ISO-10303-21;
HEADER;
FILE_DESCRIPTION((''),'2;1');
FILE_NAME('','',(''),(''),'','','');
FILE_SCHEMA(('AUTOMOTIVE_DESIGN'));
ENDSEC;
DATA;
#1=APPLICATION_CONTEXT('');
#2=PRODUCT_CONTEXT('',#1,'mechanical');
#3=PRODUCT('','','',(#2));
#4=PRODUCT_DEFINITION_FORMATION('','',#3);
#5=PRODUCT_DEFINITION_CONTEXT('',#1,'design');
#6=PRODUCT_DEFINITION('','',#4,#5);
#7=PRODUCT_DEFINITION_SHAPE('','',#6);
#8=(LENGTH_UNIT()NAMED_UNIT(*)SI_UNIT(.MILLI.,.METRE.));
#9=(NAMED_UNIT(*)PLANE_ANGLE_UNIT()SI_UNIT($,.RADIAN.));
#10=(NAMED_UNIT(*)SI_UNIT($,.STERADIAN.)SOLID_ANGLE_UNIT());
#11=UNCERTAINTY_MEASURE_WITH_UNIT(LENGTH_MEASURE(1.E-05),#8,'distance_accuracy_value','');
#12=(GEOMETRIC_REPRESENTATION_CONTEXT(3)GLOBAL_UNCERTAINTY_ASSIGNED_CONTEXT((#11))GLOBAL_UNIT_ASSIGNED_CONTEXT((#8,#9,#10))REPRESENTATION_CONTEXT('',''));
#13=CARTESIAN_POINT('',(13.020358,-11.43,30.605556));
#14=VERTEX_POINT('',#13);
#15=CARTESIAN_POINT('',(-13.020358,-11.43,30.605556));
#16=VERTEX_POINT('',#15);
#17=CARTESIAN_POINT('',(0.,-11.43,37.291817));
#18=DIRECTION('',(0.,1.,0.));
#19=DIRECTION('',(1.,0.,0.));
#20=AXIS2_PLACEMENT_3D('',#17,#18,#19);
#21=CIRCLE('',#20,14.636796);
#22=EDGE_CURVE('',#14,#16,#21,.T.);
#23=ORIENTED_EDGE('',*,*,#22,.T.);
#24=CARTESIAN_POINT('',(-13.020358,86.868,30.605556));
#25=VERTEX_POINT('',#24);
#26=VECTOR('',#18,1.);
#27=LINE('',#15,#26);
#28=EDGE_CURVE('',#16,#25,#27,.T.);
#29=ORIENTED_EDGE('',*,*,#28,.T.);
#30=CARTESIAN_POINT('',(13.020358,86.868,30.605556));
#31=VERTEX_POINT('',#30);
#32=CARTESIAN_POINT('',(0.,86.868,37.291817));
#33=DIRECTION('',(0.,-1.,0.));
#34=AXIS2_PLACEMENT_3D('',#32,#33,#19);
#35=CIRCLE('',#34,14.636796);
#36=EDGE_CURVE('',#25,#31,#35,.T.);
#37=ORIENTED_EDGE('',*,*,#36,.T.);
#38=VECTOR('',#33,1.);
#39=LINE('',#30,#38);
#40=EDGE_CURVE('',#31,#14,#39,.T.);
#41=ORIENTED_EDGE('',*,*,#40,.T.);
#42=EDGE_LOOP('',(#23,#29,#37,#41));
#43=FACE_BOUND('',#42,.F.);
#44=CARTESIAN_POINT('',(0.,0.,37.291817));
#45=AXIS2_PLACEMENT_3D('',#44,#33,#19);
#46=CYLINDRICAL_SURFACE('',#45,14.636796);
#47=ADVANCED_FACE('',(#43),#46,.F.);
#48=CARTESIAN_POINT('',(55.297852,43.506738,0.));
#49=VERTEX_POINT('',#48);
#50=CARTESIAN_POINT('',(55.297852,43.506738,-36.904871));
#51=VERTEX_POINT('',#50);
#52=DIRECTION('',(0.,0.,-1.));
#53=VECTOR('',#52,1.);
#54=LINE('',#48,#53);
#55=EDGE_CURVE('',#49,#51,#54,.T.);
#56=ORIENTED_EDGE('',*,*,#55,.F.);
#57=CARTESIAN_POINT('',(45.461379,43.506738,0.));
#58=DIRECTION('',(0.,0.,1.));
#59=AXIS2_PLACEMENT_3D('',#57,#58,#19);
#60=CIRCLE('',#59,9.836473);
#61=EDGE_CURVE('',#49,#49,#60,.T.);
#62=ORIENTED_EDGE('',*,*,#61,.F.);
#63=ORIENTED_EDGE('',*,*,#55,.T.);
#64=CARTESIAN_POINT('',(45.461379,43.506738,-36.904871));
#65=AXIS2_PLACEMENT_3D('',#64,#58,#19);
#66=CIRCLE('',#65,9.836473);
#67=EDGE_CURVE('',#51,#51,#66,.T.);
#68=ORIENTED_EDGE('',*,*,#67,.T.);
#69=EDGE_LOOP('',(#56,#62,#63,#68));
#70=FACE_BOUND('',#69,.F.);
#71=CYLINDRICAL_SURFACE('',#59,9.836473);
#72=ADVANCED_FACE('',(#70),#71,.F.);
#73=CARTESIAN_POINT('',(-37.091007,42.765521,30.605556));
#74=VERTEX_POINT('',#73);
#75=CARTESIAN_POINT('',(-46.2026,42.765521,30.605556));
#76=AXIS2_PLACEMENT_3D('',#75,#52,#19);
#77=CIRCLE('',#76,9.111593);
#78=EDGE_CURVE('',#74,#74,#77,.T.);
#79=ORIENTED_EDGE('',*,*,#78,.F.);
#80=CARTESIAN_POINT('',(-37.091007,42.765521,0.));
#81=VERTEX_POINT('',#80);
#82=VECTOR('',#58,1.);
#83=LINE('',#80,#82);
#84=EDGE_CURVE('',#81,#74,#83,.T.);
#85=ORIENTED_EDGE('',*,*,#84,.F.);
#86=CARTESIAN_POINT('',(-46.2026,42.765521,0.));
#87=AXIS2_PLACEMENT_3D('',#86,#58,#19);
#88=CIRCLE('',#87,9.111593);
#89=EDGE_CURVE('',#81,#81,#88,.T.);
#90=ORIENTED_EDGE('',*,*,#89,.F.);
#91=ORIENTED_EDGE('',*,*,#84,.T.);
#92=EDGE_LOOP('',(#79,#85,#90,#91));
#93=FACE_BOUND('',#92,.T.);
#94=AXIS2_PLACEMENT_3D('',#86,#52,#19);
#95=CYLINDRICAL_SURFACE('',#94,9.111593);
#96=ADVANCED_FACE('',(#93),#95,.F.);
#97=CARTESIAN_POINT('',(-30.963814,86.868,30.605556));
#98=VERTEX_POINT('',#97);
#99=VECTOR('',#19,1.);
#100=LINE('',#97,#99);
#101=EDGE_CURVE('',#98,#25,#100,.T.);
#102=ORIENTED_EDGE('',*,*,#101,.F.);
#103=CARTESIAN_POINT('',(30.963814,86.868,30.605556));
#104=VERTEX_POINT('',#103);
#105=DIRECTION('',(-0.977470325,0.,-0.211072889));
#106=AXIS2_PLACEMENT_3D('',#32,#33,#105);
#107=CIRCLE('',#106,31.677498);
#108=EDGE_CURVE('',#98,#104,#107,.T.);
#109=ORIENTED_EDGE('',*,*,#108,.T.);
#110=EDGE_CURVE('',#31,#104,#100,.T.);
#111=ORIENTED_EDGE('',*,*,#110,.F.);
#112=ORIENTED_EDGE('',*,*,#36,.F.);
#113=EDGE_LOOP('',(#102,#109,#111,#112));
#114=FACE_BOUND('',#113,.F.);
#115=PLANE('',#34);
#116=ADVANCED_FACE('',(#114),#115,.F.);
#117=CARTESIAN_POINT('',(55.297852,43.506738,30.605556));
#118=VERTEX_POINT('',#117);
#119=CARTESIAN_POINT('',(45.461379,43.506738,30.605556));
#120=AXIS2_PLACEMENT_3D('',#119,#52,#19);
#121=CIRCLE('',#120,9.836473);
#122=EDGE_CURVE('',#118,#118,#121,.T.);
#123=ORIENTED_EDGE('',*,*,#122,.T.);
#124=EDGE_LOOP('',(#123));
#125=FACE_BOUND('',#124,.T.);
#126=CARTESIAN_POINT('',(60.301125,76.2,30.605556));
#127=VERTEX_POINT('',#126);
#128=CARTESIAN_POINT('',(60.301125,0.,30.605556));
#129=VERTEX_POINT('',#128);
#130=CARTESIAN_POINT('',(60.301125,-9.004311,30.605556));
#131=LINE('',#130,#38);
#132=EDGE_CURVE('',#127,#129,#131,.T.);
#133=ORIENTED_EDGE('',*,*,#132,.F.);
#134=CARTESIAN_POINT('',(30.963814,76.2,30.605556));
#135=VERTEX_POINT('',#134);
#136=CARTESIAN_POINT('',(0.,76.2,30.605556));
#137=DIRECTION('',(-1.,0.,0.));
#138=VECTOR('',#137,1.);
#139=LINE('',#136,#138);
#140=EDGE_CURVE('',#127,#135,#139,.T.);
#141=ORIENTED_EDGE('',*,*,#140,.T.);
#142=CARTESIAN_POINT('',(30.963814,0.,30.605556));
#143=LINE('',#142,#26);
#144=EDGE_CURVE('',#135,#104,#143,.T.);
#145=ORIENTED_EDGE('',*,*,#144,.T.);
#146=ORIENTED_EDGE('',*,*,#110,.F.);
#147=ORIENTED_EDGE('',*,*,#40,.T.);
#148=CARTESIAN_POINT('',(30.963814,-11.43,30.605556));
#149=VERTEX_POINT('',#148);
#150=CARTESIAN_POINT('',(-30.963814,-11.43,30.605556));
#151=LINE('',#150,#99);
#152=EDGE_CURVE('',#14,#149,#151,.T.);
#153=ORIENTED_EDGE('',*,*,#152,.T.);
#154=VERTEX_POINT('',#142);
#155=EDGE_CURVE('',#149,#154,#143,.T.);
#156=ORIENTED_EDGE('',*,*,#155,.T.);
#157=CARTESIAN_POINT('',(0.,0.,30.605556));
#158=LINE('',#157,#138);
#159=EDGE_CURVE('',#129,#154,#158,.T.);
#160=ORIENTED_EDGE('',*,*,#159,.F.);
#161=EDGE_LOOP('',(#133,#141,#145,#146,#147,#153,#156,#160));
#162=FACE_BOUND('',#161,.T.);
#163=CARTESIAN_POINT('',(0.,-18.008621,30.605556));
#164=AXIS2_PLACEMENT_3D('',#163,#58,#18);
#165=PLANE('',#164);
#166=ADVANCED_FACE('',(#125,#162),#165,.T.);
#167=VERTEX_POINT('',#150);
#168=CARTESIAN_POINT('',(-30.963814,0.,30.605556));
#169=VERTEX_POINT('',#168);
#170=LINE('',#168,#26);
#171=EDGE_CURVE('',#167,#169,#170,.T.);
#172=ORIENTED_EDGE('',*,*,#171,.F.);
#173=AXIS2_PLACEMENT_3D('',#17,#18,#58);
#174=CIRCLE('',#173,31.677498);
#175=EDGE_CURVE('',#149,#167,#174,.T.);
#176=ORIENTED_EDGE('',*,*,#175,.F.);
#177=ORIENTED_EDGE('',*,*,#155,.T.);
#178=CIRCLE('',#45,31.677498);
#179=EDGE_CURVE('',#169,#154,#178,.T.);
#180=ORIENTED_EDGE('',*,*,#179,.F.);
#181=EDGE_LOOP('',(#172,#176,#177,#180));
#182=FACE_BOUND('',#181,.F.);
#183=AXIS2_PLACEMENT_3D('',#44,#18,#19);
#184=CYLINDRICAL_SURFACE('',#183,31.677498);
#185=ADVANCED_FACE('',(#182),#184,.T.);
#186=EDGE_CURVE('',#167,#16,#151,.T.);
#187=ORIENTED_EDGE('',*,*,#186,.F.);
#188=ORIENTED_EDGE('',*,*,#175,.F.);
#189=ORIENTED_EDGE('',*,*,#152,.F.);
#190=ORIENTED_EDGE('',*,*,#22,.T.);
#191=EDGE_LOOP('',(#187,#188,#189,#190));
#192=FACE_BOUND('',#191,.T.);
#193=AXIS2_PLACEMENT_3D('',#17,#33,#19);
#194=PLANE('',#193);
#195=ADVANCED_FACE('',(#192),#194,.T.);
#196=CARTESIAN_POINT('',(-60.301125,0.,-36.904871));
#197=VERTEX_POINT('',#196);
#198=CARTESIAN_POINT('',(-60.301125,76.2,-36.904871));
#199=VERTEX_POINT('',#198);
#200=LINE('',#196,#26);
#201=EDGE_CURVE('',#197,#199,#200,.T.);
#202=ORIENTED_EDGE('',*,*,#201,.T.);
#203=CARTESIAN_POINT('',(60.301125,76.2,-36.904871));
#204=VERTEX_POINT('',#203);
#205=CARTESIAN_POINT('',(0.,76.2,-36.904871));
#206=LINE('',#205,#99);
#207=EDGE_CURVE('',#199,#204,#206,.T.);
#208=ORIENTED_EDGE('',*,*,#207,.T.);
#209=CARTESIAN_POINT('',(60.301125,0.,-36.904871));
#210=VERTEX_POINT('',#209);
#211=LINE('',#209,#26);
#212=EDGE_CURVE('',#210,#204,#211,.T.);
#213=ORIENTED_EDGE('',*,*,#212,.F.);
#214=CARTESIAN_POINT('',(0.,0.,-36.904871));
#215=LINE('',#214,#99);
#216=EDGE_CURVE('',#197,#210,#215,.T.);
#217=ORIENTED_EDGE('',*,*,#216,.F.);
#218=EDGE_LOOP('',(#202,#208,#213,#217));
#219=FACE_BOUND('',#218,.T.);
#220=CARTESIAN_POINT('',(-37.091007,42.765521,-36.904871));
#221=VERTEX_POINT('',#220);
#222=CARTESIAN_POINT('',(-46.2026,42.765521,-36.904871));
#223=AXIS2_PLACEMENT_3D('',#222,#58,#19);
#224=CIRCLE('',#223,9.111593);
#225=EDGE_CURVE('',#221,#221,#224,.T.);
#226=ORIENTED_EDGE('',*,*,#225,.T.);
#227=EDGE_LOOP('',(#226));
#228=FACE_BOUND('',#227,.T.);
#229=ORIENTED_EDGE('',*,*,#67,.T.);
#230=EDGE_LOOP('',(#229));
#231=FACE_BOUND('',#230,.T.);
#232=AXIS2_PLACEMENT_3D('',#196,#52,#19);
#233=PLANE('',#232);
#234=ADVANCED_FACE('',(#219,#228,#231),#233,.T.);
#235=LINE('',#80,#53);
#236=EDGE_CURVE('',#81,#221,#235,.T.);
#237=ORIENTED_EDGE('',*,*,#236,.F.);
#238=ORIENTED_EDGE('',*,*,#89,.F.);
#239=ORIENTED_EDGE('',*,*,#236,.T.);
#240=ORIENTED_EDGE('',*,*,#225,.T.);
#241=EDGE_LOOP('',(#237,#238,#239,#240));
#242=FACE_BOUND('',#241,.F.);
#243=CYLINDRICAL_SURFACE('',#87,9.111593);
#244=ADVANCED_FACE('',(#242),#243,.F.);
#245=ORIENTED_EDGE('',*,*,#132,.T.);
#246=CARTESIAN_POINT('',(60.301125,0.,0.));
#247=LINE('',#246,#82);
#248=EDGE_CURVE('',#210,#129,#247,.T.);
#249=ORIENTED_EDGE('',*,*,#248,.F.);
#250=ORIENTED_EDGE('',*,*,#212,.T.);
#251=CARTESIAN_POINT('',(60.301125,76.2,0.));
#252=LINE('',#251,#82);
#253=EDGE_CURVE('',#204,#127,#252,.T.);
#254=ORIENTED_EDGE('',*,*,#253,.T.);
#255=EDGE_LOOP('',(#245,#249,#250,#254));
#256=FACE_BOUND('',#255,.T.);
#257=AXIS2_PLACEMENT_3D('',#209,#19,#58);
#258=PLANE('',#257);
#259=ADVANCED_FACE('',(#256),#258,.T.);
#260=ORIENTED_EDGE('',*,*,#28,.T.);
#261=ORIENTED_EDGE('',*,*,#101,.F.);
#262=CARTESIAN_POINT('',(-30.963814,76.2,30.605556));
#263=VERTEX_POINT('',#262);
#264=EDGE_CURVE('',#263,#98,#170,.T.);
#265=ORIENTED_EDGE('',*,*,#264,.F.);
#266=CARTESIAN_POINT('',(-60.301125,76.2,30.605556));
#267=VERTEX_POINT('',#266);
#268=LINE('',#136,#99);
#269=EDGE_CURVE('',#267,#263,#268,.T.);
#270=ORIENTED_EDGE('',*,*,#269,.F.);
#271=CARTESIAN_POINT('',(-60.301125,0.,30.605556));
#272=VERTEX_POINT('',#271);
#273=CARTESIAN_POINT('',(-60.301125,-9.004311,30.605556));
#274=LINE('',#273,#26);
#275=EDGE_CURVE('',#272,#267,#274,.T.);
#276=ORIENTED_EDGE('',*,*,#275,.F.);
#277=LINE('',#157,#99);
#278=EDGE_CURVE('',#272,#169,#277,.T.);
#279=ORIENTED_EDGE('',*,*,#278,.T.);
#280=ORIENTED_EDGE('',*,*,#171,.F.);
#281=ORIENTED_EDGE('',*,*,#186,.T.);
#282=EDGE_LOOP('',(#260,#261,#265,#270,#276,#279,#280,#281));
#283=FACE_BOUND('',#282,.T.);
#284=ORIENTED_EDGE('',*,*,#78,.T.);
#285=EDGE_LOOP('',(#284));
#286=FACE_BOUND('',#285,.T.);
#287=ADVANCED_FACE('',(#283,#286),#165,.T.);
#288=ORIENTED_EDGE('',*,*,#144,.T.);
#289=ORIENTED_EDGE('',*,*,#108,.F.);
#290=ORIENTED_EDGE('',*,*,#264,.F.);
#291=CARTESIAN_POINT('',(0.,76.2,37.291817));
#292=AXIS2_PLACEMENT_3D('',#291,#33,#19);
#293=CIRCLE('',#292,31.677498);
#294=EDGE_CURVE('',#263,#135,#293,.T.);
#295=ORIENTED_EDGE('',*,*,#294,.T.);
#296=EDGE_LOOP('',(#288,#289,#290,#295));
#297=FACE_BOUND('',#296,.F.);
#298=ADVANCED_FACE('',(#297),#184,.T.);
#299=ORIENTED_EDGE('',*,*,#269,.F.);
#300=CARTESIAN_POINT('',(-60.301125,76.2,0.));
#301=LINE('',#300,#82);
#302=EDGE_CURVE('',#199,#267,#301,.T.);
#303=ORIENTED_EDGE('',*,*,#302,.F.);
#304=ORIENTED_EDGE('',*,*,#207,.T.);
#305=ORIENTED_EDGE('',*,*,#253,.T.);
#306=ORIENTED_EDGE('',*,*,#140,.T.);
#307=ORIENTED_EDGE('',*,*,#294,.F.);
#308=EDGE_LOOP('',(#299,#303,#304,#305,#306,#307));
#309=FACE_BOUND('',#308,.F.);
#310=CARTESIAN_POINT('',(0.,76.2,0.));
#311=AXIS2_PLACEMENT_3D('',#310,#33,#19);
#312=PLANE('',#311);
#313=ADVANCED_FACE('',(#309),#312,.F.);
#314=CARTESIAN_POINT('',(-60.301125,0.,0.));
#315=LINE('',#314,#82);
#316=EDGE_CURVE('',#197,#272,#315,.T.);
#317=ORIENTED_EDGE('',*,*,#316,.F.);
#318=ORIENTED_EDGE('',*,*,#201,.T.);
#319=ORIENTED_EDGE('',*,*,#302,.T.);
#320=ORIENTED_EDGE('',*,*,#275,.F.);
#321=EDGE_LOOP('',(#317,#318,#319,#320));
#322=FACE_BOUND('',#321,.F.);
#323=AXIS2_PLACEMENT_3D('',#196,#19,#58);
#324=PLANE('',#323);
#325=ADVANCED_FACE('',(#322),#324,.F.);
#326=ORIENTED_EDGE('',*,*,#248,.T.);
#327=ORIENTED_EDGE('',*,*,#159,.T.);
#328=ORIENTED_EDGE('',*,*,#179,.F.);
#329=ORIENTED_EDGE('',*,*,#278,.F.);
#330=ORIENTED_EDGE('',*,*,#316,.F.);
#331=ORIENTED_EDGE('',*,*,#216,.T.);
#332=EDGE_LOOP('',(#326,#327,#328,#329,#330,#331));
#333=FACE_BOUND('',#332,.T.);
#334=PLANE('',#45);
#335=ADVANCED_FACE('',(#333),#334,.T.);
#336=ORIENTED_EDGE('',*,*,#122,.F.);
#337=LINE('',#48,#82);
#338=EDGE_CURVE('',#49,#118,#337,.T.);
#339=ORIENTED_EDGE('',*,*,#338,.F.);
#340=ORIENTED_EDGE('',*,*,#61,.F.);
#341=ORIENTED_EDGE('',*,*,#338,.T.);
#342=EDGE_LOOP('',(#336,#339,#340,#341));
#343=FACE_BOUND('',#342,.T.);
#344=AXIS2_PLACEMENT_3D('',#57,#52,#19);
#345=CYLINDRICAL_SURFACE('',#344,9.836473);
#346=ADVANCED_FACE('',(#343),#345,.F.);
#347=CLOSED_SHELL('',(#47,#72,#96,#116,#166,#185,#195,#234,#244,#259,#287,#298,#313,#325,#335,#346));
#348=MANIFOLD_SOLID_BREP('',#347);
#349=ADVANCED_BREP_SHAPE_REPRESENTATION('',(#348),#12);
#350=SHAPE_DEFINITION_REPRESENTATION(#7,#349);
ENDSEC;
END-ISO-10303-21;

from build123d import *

# Parameters (mm, degrees)
F0_W          = 120.6022500992
F0_H          = 73.8097429276
F1_DEPTH      = 76.2
F2_R          = 31.6774975882
F3_DEPTH      = 86.868
F3_DEPTH_BACK = 11.43
F4_W          = 119.1478464752
F4_H          = 40.1731412858
F5_DEPTH      = 60.3021250496
F5_DEPTH_BACK = 60.3021250496
F6_R          = 14.6367961648
F7_DEPTH      = 86.869
F7_DEPTH_BACK = 25.4
F8_R          = 9.1115926715
F8_R_2        = 9.8364729175
F9_DEPTH      = 30.6065564433
F9_DEPTH_BACK = 36.9058714638


with BuildPart() as f1:
    # F0 (on Front) → F1 (new body)
    with BuildSketch(Plane.XZ):
        Rectangle(F0_W, F0_H)
    extrude(amount=-F1_DEPTH)

    # F2 (on Front) → F3 (join, two sides)
    with BuildSketch(Plane.XZ) as f3_sk:
        with Locations((0, 37.2918173671)):
            Circle(F2_R)
    extrude(amount=-F3_DEPTH)
    extrude(f3_sk.sketch, amount=F3_DEPTH_BACK)

    # F4 (on Right) → F5 (cut, two sides)
    with BuildSketch(Plane.YZ) as f5_sk:
        with Locations((41.5653018281, 50.6921270862)):
            Rectangle(F4_W, F4_H)
    extrude(amount=-F5_DEPTH, mode=Mode.SUBTRACT)
    extrude(f5_sk.sketch, amount=F5_DEPTH_BACK, mode=Mode.SUBTRACT)

    # F6 (on Front) → F7 (cut, two sides)
    with BuildSketch(Plane.XZ) as f7_sk:
        with Locations((0, 37.2918173671)):
            Circle(F6_R)
    extrude(amount=-F7_DEPTH, mode=Mode.SUBTRACT)
    extrude(f7_sk.sketch, amount=F7_DEPTH_BACK, mode=Mode.SUBTRACT)

    # F8 (on Top) → F9 (cut, two sides)
    with BuildSketch(Plane.XY) as f9_sk:
        with Locations((-46.2026000023, 42.7655205131)):
            Circle(F8_R)
        with Locations((45.4613789916, 43.5067377985)):
            Circle(F8_R_2)
    extrude(amount=F9_DEPTH, mode=Mode.SUBTRACT)
    extrude(f9_sk.sketch, amount=-F9_DEPTH_BACK, mode=Mode.SUBTRACT)


solid = f1.part
